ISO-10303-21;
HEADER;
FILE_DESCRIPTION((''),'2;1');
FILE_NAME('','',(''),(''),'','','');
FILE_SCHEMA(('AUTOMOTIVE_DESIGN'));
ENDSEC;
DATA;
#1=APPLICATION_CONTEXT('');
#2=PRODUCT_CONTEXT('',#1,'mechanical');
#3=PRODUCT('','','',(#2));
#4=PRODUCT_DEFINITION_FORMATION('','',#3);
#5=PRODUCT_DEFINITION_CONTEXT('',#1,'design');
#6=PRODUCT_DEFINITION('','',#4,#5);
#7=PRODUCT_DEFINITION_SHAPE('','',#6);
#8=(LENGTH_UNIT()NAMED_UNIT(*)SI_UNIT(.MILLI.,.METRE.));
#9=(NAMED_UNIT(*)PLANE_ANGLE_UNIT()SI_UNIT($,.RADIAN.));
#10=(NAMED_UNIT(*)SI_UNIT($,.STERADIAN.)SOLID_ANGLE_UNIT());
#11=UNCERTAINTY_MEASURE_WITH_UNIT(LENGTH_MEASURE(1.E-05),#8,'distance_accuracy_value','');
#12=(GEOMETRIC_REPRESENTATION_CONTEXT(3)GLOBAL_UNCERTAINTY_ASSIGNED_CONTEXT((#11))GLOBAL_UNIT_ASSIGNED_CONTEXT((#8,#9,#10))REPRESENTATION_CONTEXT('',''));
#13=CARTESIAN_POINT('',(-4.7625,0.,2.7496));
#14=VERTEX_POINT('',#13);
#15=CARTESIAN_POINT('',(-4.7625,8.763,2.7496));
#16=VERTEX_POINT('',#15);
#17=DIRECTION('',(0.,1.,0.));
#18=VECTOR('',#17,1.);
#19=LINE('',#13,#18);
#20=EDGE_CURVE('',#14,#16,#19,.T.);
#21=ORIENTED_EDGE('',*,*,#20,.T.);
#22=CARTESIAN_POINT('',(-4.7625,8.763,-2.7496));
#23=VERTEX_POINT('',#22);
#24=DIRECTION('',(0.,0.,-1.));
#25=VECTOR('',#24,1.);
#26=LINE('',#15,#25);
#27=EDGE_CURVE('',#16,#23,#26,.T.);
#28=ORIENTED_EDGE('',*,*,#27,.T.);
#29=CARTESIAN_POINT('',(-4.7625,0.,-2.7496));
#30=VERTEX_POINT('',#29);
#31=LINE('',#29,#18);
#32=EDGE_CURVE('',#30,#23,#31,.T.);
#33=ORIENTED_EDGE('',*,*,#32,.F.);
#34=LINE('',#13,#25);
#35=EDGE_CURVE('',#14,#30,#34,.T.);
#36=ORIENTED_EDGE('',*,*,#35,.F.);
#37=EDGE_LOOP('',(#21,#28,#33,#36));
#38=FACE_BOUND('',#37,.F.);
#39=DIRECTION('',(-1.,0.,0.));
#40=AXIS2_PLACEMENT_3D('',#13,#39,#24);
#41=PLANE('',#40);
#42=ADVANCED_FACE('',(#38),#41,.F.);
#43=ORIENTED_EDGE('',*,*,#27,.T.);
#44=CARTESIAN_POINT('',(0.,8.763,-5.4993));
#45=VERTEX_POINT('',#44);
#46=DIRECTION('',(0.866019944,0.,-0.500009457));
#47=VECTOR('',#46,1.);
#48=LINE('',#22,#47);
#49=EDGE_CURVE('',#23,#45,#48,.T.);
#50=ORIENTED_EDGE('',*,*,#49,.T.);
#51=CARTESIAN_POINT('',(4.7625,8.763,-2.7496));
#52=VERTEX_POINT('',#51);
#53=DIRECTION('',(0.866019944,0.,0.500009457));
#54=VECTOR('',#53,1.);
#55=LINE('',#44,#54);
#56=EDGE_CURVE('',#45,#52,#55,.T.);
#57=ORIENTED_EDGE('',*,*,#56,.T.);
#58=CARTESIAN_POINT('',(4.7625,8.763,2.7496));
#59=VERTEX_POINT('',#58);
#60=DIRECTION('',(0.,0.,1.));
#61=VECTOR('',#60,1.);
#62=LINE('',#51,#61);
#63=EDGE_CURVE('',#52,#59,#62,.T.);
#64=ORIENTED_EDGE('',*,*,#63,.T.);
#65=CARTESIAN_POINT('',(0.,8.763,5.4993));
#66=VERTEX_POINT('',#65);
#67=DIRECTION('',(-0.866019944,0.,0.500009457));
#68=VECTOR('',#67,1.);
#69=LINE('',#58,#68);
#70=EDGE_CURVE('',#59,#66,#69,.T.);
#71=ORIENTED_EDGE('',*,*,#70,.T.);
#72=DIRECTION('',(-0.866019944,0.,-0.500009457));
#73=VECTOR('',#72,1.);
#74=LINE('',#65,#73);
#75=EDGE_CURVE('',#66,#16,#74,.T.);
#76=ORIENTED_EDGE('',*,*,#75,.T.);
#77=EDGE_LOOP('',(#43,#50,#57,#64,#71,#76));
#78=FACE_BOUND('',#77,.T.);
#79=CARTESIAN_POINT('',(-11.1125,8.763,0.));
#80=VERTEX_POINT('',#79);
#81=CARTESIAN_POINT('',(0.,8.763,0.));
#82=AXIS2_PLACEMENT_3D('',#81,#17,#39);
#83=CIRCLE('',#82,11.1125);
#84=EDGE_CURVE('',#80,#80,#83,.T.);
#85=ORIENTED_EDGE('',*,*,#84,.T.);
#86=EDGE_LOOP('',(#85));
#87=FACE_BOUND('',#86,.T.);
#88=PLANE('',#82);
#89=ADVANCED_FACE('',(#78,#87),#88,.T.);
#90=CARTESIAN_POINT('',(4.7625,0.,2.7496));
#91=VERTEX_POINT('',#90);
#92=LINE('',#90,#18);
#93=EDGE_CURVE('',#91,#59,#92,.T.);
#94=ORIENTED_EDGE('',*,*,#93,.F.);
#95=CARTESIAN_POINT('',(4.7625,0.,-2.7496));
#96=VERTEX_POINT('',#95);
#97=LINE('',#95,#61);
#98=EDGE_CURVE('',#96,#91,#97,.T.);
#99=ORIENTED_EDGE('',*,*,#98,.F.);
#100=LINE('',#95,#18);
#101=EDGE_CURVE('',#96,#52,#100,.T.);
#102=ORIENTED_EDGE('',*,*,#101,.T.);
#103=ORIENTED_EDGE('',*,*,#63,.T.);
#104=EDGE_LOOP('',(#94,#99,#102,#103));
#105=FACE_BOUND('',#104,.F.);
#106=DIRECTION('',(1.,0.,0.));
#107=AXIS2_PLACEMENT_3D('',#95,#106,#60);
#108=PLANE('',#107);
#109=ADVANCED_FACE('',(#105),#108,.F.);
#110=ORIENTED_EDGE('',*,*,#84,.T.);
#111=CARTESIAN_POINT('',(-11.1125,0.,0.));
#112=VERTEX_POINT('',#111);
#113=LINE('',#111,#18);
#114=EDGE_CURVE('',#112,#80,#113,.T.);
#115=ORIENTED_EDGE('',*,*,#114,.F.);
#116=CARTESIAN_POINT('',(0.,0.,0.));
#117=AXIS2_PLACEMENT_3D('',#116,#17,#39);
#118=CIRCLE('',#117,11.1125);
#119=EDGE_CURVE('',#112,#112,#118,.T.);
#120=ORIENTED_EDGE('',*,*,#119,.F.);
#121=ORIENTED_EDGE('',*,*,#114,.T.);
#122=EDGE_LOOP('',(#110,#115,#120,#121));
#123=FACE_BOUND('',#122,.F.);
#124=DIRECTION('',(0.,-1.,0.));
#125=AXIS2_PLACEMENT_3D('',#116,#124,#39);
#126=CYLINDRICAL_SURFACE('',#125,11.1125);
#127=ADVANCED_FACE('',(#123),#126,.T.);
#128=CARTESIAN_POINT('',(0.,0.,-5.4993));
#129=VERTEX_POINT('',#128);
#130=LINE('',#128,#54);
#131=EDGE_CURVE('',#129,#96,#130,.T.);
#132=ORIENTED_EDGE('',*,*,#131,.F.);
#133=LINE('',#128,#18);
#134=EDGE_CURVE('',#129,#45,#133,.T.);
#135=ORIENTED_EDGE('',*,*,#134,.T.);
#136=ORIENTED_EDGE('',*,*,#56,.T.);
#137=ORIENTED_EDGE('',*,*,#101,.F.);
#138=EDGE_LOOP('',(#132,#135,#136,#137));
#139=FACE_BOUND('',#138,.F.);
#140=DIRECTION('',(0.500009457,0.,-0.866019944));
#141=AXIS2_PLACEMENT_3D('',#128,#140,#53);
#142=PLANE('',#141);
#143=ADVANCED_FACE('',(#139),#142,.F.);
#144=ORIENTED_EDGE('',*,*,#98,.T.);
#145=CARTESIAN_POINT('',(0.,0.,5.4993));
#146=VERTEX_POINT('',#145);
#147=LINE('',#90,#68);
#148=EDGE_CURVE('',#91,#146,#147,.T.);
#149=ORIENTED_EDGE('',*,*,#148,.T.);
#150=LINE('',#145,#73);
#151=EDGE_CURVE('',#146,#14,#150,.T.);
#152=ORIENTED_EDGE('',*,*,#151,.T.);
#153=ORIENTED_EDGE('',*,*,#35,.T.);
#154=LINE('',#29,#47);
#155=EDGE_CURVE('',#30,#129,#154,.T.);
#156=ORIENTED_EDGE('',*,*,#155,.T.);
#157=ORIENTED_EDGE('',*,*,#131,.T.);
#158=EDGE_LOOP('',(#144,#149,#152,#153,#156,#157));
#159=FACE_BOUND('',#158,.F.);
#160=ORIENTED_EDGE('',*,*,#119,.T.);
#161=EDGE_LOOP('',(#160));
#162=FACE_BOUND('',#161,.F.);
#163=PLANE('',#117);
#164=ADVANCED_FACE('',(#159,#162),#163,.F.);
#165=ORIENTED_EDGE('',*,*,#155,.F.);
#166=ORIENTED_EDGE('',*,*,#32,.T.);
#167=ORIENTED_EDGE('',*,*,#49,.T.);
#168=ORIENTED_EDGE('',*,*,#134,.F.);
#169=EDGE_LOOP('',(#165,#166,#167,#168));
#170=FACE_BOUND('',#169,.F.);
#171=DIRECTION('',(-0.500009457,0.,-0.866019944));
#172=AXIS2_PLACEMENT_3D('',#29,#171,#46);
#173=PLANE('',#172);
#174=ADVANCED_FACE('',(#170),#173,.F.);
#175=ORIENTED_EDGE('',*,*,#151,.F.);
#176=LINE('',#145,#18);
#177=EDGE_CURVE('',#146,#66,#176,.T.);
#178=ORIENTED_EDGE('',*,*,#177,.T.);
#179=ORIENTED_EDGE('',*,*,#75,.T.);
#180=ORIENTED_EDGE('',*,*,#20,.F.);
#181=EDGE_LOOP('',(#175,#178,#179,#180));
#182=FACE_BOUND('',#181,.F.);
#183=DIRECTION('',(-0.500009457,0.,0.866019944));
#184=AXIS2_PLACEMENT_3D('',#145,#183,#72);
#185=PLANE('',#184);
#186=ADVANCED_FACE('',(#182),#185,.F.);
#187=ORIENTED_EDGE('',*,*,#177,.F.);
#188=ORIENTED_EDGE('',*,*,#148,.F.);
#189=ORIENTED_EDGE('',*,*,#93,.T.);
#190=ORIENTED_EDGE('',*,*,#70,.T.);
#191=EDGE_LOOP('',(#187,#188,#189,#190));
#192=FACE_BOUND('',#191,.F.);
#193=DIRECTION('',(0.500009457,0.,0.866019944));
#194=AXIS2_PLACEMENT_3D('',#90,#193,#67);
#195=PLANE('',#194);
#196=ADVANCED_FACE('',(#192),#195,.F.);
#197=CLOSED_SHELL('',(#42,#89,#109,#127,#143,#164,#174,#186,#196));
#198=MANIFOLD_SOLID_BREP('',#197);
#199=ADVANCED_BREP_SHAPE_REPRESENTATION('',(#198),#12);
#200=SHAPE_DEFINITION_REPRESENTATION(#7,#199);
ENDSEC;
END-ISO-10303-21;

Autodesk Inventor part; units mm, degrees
ref_plane "YZ Plane" through (0, 0, 0) normal (1, 0, 0) x (0, 1, 0)
ref_plane "XZ Plane" through (0, 0, 0) normal (0, 1, 0) x (-1, 0, 0)
ref_plane "XY Plane" through (0, 0, 0) normal (0, 0, 1) x (1, 0, 0)
sketch "Sketch1" plane through (0, 0, 0) normal (0, 1, 0) x (-1, 0, 0)
  circle A0 centre (0, 0) radius 11.1125
  line L0 (0, -5.4993) -> (-4.7625, -2.7496)
  line L1 (-4.7625, -2.7496) -> (-4.7625, 2.7496)
  line L2 (-4.7625, 2.7496) -> (0, 5.4993)
  line L3 (0, 5.4993) -> (4.7625, 2.7496)
  line L4 (4.7625, 2.7496) -> (4.7625, -2.7496)
  line L5 (4.7625, -2.7496) -> (0, -5.4993)
  dimension "d0" = 22.225
  dimension "d1" = 9.525
extrude "Extrusion1" add sketch "Sketch1" along normal blind 8.763
properties part number "3-8th inch hex shaft collar"
